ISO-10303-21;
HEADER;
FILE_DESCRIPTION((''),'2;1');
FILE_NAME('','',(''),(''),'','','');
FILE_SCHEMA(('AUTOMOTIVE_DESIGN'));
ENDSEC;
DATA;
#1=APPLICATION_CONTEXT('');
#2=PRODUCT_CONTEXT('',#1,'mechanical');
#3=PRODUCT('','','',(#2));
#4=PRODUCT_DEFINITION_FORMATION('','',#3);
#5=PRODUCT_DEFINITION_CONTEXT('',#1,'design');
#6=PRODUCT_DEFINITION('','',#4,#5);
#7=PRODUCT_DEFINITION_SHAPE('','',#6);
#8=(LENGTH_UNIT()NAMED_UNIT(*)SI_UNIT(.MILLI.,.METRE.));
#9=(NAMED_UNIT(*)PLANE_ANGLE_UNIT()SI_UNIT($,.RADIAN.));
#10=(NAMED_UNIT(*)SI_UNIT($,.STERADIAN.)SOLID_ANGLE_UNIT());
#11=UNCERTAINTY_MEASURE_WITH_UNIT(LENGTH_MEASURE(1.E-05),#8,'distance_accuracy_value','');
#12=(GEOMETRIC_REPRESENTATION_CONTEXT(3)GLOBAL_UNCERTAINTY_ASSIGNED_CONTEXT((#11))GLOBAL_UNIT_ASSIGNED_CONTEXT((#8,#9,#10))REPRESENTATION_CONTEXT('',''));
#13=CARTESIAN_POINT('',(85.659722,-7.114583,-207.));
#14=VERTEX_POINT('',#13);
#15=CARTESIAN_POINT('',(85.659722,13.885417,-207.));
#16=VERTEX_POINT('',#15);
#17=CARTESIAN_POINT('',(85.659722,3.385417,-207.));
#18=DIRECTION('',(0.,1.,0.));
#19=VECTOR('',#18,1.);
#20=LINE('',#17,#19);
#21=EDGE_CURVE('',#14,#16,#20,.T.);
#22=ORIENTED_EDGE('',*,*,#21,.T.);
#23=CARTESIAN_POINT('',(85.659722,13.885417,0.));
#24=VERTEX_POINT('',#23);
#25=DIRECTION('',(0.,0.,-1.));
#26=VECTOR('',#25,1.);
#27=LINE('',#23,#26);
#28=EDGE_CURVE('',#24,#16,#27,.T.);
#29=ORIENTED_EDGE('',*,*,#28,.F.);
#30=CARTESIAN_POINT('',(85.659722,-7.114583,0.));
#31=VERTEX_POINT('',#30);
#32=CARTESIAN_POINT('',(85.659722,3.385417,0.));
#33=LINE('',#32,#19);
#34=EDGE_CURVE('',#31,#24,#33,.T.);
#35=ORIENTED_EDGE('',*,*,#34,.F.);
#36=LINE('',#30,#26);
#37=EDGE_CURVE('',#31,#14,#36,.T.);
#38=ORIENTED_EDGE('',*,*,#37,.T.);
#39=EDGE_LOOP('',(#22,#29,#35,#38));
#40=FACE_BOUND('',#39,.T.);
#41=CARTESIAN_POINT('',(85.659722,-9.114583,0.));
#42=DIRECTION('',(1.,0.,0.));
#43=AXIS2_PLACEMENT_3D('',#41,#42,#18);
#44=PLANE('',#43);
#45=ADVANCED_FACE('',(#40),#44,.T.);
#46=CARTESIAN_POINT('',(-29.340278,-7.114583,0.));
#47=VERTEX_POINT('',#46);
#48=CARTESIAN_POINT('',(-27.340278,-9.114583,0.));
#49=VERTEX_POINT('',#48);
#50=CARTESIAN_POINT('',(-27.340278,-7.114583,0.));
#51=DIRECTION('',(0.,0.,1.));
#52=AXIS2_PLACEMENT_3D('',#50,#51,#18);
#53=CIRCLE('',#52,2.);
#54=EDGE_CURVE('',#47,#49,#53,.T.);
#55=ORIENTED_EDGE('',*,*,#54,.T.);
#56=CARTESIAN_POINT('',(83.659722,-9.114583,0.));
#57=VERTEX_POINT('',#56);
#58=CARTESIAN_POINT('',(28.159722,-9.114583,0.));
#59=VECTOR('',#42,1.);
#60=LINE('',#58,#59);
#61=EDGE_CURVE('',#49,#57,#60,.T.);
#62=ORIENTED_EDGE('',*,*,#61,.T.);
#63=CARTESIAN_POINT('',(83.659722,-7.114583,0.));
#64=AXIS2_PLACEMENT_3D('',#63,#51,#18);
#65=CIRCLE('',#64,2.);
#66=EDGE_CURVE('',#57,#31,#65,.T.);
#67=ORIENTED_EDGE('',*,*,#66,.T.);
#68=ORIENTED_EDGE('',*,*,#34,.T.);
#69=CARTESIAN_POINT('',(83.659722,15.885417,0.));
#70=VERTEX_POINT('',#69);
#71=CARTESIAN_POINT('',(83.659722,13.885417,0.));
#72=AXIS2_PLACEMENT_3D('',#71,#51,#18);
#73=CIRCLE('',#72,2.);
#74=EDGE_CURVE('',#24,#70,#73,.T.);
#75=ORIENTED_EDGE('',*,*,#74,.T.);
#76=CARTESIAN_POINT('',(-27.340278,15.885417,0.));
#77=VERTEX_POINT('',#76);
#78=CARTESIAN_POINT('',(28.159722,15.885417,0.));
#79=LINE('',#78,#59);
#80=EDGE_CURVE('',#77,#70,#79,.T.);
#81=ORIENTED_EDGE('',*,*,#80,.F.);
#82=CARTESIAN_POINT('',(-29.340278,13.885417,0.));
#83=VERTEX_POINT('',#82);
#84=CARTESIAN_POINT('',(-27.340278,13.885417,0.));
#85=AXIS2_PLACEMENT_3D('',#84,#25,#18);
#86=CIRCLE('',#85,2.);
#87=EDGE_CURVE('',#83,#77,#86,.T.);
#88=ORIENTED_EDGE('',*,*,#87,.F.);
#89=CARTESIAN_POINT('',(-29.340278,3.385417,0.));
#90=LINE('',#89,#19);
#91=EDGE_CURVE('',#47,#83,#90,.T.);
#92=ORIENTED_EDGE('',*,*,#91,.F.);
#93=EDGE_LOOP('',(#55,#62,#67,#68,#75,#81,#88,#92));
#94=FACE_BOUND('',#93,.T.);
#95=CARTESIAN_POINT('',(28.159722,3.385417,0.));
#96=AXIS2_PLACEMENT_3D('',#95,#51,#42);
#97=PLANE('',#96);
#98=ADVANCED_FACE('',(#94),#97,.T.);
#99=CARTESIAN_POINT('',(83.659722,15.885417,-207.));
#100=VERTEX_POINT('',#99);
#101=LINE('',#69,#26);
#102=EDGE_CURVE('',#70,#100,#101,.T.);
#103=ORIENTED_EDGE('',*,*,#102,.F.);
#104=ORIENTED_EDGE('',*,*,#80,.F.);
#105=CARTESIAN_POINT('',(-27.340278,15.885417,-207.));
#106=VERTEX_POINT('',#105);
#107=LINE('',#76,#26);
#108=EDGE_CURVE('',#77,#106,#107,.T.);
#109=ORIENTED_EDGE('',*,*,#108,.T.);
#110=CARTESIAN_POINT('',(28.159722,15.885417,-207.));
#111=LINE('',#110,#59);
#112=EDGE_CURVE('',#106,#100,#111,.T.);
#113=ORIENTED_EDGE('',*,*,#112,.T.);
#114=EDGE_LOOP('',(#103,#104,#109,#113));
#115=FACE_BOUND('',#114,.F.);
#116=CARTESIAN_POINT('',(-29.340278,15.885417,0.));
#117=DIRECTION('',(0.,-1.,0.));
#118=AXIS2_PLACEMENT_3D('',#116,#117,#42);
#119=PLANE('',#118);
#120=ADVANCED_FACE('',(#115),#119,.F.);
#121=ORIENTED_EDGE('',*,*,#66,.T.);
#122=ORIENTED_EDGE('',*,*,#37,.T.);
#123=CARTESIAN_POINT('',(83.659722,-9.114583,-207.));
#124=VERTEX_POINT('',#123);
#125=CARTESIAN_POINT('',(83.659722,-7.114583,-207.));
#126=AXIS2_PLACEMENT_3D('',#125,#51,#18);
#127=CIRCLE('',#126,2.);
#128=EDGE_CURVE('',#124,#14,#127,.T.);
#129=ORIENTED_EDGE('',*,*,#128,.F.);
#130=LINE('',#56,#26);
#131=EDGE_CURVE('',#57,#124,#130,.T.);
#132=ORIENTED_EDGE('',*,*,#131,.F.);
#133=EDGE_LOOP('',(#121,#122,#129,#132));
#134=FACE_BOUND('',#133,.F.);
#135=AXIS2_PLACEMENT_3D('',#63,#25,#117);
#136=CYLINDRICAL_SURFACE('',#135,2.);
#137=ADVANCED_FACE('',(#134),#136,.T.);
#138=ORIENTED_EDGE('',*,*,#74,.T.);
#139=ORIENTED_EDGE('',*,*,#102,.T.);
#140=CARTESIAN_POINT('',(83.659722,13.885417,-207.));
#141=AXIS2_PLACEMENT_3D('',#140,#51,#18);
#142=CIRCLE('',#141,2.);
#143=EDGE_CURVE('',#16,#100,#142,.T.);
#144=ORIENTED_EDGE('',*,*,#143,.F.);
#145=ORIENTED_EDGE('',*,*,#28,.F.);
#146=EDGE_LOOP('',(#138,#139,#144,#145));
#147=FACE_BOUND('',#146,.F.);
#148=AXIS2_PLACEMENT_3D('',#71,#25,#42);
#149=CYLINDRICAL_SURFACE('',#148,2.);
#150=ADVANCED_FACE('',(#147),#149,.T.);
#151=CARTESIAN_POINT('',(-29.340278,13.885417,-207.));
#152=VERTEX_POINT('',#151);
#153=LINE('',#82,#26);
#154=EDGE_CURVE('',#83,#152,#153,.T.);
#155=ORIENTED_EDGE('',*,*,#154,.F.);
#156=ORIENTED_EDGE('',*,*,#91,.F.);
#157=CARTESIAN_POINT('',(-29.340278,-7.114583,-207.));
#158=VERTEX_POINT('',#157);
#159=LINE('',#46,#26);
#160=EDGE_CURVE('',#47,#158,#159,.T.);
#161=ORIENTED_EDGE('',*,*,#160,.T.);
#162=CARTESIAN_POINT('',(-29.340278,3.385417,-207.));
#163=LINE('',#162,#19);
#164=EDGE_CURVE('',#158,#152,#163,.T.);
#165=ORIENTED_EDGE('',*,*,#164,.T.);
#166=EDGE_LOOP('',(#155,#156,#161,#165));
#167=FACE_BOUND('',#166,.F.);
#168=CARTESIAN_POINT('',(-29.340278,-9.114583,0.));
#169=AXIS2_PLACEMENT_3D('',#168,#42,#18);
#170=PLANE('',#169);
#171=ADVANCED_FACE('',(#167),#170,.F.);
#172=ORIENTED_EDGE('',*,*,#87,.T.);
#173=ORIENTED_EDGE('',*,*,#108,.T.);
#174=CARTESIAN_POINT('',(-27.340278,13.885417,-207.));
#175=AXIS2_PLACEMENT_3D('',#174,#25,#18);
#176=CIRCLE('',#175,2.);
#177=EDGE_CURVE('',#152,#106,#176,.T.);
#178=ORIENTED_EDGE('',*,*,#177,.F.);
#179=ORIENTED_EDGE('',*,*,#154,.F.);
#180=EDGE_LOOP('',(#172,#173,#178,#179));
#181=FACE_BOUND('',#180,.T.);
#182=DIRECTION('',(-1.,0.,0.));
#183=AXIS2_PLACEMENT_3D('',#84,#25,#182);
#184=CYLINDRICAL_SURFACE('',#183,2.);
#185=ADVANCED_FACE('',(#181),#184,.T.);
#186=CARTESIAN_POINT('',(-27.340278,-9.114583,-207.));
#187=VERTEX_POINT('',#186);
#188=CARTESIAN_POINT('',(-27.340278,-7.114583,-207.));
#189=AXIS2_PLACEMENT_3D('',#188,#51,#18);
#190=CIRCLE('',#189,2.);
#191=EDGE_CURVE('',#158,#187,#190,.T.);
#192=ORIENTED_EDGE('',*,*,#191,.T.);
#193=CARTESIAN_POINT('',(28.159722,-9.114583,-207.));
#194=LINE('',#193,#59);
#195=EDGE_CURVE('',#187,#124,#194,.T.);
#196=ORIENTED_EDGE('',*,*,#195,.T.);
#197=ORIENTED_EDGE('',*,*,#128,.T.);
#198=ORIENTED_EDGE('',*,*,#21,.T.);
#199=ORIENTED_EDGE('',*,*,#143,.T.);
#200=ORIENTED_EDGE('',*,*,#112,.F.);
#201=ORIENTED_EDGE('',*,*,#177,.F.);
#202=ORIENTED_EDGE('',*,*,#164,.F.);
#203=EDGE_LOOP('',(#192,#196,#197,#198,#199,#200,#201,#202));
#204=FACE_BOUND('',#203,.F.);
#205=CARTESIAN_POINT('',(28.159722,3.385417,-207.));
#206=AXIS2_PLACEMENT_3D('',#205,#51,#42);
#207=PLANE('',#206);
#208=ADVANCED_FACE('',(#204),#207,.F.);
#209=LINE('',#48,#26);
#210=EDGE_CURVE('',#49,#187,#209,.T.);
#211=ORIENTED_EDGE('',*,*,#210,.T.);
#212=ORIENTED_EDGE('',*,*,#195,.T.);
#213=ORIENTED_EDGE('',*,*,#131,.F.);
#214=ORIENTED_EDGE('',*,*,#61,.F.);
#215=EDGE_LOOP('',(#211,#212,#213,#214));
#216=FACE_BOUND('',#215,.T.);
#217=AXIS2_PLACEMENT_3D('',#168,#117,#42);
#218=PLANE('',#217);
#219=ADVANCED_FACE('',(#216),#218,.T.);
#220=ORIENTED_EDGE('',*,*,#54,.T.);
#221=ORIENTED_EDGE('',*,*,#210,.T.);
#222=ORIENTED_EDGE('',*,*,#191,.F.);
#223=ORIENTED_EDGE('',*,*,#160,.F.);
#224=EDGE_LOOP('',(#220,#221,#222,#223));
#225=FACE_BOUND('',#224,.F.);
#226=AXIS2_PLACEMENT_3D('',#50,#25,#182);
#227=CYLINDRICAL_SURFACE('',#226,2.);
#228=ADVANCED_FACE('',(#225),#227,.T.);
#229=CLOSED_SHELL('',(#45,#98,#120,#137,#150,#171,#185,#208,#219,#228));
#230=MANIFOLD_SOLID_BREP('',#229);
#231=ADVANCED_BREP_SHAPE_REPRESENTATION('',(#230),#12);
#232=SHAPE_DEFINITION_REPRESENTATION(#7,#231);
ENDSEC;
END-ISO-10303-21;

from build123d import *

# Parameters (mm, degrees)
SKETCH1_W           = 115
SKETCH1_H           = 25
BOSS_EXTRUDE1_DEPTH = 207
FILLET1_R           = 2


with BuildPart() as part:
    # Sketch1 → Boss-Extrude1 (new body)
    with BuildSketch(Plane.XY):
        with Locations((28.159722222, 3.385416667)):
            Rectangle(SKETCH1_W, SKETCH1_H)
    extrude(amount=-BOSS_EXTRUDE1_DEPTH)

    # Fillet1
    fillet1_edges = [part.edges().sort_by_distance(p)[0] for p in [
        (-29.340277778, 15.885416667, -103.5),
        (85.659722222, 15.885416667, -103.5),
        (85.659722222, -9.114583333, -103.5),
        (-29.340277778, -9.114583333, -103.5),
    ]]
    fillet(fillet1_edges, radius=FILLET1_R)


solid = part.part
